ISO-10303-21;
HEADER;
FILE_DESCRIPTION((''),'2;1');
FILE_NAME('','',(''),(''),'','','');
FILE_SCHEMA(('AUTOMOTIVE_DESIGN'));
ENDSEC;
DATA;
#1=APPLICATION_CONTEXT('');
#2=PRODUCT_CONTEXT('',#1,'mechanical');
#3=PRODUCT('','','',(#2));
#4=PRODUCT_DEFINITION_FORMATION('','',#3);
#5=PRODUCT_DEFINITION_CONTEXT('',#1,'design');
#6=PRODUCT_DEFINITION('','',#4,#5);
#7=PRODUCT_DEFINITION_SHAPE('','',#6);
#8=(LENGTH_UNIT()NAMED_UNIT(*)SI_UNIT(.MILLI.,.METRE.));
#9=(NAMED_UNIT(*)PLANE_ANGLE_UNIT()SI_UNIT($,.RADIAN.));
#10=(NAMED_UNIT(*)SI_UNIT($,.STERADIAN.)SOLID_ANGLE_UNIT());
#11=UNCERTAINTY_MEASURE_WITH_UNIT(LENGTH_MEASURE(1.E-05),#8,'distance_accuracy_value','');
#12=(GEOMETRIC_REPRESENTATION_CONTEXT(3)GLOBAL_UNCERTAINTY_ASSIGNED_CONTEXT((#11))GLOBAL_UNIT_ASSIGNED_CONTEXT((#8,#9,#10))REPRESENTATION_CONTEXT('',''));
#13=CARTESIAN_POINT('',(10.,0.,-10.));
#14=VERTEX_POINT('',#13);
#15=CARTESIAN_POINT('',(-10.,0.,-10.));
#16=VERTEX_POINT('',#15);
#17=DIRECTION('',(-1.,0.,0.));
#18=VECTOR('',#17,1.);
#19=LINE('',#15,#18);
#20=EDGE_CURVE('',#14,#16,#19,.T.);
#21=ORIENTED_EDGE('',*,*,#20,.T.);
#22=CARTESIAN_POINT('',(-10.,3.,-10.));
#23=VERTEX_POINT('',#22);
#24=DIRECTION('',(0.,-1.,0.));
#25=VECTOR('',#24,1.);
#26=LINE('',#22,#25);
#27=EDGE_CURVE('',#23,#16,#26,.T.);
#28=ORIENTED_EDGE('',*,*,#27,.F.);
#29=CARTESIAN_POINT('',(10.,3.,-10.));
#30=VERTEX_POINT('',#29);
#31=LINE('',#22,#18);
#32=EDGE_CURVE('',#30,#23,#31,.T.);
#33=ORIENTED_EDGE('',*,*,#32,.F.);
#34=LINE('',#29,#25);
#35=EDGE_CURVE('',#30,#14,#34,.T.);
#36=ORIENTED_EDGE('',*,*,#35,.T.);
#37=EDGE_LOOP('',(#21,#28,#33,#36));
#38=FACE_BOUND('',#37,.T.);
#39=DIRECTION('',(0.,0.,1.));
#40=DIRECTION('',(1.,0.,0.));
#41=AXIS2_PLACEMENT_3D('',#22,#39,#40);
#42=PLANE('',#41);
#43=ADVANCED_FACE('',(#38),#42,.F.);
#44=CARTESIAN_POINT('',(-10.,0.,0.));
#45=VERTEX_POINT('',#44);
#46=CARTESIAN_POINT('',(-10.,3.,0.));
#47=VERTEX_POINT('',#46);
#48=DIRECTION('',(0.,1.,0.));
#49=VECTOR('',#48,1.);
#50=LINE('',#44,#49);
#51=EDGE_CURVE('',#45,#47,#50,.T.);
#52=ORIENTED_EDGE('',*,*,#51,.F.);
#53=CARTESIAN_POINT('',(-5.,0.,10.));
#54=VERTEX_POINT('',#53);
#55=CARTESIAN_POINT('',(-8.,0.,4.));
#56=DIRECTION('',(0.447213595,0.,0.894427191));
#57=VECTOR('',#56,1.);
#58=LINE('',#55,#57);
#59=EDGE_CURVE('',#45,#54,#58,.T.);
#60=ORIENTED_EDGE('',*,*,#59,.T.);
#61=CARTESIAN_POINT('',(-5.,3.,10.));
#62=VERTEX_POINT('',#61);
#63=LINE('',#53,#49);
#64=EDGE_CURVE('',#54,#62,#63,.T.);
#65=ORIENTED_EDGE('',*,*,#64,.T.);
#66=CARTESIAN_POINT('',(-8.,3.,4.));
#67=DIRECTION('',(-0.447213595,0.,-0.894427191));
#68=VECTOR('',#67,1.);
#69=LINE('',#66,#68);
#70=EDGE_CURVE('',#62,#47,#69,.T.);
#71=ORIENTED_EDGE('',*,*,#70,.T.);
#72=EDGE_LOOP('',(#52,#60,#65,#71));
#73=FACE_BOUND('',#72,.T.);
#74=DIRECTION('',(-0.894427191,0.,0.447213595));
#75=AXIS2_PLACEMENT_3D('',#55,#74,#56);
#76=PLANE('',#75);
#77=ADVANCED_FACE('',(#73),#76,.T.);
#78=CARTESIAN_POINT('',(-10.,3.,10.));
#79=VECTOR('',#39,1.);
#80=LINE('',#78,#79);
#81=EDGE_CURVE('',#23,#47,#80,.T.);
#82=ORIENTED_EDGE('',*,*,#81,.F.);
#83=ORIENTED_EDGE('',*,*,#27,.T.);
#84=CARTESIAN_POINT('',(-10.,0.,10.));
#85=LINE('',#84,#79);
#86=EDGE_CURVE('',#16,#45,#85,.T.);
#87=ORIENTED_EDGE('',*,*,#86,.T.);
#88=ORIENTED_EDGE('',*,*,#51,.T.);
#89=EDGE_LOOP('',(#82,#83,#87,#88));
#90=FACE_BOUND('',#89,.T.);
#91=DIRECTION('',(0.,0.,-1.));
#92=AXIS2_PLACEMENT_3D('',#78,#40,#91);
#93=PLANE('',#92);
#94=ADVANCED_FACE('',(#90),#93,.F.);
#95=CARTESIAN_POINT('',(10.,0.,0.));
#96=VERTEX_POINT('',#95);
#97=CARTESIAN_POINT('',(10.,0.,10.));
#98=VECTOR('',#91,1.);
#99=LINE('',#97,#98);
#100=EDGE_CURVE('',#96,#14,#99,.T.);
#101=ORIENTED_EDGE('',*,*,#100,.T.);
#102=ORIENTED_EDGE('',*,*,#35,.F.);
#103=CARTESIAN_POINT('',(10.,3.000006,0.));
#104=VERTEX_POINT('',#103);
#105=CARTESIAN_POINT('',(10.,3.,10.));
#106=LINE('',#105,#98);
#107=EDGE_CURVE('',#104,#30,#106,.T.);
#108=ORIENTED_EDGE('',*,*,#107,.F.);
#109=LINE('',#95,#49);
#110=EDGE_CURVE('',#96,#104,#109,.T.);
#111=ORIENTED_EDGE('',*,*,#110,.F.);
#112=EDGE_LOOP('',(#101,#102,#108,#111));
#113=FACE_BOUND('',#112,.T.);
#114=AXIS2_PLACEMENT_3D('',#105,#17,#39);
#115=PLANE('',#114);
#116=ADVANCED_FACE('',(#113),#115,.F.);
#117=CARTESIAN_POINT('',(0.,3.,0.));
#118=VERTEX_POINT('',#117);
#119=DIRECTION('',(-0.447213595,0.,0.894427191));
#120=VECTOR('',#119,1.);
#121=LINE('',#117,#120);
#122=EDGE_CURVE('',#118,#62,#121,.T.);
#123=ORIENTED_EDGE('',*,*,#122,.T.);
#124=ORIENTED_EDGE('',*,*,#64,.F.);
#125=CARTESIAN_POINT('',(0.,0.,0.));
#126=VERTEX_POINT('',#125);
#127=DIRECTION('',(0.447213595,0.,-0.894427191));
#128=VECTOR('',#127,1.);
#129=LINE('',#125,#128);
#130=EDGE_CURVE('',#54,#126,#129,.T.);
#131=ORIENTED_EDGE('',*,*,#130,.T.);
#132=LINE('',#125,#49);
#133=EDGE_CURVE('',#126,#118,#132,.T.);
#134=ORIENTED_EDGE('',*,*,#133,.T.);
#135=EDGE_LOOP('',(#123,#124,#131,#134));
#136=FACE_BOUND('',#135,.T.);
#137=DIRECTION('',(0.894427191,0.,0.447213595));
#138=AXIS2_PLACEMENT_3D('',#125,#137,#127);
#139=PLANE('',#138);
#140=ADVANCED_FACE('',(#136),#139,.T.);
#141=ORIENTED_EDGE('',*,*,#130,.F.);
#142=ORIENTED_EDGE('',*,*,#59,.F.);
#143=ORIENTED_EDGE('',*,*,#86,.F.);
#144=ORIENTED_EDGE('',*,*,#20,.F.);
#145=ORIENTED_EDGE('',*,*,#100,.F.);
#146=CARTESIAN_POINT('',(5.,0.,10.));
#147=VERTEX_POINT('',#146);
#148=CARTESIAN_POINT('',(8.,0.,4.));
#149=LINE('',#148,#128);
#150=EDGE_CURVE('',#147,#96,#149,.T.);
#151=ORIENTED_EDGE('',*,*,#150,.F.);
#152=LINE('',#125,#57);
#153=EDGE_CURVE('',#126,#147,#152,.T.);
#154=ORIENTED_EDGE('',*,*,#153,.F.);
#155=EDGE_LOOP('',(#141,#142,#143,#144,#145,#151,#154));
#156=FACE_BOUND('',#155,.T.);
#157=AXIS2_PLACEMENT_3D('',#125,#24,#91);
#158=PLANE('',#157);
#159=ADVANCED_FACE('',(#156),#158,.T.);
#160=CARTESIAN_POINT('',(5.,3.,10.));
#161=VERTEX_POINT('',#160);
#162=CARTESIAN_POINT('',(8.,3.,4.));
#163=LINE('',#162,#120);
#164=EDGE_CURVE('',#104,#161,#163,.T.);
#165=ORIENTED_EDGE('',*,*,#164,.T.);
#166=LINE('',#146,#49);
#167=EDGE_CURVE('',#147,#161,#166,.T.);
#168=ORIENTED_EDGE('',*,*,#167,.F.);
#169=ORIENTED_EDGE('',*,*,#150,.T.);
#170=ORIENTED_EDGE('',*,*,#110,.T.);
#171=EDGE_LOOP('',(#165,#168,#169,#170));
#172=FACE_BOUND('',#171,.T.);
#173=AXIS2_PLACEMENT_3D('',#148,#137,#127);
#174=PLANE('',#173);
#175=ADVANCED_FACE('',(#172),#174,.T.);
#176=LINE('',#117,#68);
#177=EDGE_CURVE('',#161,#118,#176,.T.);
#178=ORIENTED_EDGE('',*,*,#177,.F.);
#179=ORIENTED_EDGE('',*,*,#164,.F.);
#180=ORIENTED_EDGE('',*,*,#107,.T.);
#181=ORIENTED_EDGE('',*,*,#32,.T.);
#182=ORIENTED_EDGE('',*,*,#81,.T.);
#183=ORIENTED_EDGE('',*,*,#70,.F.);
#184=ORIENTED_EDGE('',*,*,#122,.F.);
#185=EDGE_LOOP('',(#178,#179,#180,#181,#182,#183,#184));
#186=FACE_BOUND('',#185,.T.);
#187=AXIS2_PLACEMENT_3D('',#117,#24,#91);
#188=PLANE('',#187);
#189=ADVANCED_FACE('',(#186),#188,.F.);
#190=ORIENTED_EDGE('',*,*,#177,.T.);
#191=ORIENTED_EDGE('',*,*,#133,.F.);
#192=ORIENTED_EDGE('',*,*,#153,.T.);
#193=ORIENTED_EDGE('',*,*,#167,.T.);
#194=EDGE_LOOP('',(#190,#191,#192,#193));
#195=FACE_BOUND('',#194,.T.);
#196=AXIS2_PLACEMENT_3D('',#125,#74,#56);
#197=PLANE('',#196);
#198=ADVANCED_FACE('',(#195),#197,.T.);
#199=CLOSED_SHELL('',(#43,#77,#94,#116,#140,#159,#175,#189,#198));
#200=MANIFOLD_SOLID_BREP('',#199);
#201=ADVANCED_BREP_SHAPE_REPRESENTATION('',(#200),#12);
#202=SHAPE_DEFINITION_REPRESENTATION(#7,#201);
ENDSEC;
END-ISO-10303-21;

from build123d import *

# Parameters (mm, degrees)
SKETCH1_W               = 20
SKETCH1_H               = 20
BOSS_EXTRUDE1_DEPTH     = 3
CUT_EXTRUDE1_DEPTH      = 1
CUT_EXTRUDE1_DEPTH_BACK = 4


with BuildPart() as part:
    # Sketch1 → Boss-Extrude1 (new body)
    with BuildSketch(Plane(origin=(0, 0, 0), x_dir=(1, 0, 0), z_dir=(0, 1, 0))):
        Rectangle(SKETCH1_W, SKETCH1_H)
    extrude(amount=BOSS_EXTRUDE1_DEPTH)

    # Sketch2 → Cut-Extrude1 (cut, two sides)
    with BuildSketch(Plane(origin=(0, 3, 0), x_dir=(1, 0, 0), z_dir=(0, 1, 0))) as cut_extrude1_sk:
        Polygon((-5, -10), (-10, 0), (-10, -10), align=None)
        Polygon((0, 0), (-5, -10), (5, -10), align=None)
        Polygon((10, 0), (5, -10), (10, -10), align=None)
    extrude(amount=CUT_EXTRUDE1_DEPTH, mode=Mode.SUBTRACT)
    extrude(cut_extrude1_sk.sketch, amount=-CUT_EXTRUDE1_DEPTH_BACK, mode=Mode.SUBTRACT)


solid = part.part
